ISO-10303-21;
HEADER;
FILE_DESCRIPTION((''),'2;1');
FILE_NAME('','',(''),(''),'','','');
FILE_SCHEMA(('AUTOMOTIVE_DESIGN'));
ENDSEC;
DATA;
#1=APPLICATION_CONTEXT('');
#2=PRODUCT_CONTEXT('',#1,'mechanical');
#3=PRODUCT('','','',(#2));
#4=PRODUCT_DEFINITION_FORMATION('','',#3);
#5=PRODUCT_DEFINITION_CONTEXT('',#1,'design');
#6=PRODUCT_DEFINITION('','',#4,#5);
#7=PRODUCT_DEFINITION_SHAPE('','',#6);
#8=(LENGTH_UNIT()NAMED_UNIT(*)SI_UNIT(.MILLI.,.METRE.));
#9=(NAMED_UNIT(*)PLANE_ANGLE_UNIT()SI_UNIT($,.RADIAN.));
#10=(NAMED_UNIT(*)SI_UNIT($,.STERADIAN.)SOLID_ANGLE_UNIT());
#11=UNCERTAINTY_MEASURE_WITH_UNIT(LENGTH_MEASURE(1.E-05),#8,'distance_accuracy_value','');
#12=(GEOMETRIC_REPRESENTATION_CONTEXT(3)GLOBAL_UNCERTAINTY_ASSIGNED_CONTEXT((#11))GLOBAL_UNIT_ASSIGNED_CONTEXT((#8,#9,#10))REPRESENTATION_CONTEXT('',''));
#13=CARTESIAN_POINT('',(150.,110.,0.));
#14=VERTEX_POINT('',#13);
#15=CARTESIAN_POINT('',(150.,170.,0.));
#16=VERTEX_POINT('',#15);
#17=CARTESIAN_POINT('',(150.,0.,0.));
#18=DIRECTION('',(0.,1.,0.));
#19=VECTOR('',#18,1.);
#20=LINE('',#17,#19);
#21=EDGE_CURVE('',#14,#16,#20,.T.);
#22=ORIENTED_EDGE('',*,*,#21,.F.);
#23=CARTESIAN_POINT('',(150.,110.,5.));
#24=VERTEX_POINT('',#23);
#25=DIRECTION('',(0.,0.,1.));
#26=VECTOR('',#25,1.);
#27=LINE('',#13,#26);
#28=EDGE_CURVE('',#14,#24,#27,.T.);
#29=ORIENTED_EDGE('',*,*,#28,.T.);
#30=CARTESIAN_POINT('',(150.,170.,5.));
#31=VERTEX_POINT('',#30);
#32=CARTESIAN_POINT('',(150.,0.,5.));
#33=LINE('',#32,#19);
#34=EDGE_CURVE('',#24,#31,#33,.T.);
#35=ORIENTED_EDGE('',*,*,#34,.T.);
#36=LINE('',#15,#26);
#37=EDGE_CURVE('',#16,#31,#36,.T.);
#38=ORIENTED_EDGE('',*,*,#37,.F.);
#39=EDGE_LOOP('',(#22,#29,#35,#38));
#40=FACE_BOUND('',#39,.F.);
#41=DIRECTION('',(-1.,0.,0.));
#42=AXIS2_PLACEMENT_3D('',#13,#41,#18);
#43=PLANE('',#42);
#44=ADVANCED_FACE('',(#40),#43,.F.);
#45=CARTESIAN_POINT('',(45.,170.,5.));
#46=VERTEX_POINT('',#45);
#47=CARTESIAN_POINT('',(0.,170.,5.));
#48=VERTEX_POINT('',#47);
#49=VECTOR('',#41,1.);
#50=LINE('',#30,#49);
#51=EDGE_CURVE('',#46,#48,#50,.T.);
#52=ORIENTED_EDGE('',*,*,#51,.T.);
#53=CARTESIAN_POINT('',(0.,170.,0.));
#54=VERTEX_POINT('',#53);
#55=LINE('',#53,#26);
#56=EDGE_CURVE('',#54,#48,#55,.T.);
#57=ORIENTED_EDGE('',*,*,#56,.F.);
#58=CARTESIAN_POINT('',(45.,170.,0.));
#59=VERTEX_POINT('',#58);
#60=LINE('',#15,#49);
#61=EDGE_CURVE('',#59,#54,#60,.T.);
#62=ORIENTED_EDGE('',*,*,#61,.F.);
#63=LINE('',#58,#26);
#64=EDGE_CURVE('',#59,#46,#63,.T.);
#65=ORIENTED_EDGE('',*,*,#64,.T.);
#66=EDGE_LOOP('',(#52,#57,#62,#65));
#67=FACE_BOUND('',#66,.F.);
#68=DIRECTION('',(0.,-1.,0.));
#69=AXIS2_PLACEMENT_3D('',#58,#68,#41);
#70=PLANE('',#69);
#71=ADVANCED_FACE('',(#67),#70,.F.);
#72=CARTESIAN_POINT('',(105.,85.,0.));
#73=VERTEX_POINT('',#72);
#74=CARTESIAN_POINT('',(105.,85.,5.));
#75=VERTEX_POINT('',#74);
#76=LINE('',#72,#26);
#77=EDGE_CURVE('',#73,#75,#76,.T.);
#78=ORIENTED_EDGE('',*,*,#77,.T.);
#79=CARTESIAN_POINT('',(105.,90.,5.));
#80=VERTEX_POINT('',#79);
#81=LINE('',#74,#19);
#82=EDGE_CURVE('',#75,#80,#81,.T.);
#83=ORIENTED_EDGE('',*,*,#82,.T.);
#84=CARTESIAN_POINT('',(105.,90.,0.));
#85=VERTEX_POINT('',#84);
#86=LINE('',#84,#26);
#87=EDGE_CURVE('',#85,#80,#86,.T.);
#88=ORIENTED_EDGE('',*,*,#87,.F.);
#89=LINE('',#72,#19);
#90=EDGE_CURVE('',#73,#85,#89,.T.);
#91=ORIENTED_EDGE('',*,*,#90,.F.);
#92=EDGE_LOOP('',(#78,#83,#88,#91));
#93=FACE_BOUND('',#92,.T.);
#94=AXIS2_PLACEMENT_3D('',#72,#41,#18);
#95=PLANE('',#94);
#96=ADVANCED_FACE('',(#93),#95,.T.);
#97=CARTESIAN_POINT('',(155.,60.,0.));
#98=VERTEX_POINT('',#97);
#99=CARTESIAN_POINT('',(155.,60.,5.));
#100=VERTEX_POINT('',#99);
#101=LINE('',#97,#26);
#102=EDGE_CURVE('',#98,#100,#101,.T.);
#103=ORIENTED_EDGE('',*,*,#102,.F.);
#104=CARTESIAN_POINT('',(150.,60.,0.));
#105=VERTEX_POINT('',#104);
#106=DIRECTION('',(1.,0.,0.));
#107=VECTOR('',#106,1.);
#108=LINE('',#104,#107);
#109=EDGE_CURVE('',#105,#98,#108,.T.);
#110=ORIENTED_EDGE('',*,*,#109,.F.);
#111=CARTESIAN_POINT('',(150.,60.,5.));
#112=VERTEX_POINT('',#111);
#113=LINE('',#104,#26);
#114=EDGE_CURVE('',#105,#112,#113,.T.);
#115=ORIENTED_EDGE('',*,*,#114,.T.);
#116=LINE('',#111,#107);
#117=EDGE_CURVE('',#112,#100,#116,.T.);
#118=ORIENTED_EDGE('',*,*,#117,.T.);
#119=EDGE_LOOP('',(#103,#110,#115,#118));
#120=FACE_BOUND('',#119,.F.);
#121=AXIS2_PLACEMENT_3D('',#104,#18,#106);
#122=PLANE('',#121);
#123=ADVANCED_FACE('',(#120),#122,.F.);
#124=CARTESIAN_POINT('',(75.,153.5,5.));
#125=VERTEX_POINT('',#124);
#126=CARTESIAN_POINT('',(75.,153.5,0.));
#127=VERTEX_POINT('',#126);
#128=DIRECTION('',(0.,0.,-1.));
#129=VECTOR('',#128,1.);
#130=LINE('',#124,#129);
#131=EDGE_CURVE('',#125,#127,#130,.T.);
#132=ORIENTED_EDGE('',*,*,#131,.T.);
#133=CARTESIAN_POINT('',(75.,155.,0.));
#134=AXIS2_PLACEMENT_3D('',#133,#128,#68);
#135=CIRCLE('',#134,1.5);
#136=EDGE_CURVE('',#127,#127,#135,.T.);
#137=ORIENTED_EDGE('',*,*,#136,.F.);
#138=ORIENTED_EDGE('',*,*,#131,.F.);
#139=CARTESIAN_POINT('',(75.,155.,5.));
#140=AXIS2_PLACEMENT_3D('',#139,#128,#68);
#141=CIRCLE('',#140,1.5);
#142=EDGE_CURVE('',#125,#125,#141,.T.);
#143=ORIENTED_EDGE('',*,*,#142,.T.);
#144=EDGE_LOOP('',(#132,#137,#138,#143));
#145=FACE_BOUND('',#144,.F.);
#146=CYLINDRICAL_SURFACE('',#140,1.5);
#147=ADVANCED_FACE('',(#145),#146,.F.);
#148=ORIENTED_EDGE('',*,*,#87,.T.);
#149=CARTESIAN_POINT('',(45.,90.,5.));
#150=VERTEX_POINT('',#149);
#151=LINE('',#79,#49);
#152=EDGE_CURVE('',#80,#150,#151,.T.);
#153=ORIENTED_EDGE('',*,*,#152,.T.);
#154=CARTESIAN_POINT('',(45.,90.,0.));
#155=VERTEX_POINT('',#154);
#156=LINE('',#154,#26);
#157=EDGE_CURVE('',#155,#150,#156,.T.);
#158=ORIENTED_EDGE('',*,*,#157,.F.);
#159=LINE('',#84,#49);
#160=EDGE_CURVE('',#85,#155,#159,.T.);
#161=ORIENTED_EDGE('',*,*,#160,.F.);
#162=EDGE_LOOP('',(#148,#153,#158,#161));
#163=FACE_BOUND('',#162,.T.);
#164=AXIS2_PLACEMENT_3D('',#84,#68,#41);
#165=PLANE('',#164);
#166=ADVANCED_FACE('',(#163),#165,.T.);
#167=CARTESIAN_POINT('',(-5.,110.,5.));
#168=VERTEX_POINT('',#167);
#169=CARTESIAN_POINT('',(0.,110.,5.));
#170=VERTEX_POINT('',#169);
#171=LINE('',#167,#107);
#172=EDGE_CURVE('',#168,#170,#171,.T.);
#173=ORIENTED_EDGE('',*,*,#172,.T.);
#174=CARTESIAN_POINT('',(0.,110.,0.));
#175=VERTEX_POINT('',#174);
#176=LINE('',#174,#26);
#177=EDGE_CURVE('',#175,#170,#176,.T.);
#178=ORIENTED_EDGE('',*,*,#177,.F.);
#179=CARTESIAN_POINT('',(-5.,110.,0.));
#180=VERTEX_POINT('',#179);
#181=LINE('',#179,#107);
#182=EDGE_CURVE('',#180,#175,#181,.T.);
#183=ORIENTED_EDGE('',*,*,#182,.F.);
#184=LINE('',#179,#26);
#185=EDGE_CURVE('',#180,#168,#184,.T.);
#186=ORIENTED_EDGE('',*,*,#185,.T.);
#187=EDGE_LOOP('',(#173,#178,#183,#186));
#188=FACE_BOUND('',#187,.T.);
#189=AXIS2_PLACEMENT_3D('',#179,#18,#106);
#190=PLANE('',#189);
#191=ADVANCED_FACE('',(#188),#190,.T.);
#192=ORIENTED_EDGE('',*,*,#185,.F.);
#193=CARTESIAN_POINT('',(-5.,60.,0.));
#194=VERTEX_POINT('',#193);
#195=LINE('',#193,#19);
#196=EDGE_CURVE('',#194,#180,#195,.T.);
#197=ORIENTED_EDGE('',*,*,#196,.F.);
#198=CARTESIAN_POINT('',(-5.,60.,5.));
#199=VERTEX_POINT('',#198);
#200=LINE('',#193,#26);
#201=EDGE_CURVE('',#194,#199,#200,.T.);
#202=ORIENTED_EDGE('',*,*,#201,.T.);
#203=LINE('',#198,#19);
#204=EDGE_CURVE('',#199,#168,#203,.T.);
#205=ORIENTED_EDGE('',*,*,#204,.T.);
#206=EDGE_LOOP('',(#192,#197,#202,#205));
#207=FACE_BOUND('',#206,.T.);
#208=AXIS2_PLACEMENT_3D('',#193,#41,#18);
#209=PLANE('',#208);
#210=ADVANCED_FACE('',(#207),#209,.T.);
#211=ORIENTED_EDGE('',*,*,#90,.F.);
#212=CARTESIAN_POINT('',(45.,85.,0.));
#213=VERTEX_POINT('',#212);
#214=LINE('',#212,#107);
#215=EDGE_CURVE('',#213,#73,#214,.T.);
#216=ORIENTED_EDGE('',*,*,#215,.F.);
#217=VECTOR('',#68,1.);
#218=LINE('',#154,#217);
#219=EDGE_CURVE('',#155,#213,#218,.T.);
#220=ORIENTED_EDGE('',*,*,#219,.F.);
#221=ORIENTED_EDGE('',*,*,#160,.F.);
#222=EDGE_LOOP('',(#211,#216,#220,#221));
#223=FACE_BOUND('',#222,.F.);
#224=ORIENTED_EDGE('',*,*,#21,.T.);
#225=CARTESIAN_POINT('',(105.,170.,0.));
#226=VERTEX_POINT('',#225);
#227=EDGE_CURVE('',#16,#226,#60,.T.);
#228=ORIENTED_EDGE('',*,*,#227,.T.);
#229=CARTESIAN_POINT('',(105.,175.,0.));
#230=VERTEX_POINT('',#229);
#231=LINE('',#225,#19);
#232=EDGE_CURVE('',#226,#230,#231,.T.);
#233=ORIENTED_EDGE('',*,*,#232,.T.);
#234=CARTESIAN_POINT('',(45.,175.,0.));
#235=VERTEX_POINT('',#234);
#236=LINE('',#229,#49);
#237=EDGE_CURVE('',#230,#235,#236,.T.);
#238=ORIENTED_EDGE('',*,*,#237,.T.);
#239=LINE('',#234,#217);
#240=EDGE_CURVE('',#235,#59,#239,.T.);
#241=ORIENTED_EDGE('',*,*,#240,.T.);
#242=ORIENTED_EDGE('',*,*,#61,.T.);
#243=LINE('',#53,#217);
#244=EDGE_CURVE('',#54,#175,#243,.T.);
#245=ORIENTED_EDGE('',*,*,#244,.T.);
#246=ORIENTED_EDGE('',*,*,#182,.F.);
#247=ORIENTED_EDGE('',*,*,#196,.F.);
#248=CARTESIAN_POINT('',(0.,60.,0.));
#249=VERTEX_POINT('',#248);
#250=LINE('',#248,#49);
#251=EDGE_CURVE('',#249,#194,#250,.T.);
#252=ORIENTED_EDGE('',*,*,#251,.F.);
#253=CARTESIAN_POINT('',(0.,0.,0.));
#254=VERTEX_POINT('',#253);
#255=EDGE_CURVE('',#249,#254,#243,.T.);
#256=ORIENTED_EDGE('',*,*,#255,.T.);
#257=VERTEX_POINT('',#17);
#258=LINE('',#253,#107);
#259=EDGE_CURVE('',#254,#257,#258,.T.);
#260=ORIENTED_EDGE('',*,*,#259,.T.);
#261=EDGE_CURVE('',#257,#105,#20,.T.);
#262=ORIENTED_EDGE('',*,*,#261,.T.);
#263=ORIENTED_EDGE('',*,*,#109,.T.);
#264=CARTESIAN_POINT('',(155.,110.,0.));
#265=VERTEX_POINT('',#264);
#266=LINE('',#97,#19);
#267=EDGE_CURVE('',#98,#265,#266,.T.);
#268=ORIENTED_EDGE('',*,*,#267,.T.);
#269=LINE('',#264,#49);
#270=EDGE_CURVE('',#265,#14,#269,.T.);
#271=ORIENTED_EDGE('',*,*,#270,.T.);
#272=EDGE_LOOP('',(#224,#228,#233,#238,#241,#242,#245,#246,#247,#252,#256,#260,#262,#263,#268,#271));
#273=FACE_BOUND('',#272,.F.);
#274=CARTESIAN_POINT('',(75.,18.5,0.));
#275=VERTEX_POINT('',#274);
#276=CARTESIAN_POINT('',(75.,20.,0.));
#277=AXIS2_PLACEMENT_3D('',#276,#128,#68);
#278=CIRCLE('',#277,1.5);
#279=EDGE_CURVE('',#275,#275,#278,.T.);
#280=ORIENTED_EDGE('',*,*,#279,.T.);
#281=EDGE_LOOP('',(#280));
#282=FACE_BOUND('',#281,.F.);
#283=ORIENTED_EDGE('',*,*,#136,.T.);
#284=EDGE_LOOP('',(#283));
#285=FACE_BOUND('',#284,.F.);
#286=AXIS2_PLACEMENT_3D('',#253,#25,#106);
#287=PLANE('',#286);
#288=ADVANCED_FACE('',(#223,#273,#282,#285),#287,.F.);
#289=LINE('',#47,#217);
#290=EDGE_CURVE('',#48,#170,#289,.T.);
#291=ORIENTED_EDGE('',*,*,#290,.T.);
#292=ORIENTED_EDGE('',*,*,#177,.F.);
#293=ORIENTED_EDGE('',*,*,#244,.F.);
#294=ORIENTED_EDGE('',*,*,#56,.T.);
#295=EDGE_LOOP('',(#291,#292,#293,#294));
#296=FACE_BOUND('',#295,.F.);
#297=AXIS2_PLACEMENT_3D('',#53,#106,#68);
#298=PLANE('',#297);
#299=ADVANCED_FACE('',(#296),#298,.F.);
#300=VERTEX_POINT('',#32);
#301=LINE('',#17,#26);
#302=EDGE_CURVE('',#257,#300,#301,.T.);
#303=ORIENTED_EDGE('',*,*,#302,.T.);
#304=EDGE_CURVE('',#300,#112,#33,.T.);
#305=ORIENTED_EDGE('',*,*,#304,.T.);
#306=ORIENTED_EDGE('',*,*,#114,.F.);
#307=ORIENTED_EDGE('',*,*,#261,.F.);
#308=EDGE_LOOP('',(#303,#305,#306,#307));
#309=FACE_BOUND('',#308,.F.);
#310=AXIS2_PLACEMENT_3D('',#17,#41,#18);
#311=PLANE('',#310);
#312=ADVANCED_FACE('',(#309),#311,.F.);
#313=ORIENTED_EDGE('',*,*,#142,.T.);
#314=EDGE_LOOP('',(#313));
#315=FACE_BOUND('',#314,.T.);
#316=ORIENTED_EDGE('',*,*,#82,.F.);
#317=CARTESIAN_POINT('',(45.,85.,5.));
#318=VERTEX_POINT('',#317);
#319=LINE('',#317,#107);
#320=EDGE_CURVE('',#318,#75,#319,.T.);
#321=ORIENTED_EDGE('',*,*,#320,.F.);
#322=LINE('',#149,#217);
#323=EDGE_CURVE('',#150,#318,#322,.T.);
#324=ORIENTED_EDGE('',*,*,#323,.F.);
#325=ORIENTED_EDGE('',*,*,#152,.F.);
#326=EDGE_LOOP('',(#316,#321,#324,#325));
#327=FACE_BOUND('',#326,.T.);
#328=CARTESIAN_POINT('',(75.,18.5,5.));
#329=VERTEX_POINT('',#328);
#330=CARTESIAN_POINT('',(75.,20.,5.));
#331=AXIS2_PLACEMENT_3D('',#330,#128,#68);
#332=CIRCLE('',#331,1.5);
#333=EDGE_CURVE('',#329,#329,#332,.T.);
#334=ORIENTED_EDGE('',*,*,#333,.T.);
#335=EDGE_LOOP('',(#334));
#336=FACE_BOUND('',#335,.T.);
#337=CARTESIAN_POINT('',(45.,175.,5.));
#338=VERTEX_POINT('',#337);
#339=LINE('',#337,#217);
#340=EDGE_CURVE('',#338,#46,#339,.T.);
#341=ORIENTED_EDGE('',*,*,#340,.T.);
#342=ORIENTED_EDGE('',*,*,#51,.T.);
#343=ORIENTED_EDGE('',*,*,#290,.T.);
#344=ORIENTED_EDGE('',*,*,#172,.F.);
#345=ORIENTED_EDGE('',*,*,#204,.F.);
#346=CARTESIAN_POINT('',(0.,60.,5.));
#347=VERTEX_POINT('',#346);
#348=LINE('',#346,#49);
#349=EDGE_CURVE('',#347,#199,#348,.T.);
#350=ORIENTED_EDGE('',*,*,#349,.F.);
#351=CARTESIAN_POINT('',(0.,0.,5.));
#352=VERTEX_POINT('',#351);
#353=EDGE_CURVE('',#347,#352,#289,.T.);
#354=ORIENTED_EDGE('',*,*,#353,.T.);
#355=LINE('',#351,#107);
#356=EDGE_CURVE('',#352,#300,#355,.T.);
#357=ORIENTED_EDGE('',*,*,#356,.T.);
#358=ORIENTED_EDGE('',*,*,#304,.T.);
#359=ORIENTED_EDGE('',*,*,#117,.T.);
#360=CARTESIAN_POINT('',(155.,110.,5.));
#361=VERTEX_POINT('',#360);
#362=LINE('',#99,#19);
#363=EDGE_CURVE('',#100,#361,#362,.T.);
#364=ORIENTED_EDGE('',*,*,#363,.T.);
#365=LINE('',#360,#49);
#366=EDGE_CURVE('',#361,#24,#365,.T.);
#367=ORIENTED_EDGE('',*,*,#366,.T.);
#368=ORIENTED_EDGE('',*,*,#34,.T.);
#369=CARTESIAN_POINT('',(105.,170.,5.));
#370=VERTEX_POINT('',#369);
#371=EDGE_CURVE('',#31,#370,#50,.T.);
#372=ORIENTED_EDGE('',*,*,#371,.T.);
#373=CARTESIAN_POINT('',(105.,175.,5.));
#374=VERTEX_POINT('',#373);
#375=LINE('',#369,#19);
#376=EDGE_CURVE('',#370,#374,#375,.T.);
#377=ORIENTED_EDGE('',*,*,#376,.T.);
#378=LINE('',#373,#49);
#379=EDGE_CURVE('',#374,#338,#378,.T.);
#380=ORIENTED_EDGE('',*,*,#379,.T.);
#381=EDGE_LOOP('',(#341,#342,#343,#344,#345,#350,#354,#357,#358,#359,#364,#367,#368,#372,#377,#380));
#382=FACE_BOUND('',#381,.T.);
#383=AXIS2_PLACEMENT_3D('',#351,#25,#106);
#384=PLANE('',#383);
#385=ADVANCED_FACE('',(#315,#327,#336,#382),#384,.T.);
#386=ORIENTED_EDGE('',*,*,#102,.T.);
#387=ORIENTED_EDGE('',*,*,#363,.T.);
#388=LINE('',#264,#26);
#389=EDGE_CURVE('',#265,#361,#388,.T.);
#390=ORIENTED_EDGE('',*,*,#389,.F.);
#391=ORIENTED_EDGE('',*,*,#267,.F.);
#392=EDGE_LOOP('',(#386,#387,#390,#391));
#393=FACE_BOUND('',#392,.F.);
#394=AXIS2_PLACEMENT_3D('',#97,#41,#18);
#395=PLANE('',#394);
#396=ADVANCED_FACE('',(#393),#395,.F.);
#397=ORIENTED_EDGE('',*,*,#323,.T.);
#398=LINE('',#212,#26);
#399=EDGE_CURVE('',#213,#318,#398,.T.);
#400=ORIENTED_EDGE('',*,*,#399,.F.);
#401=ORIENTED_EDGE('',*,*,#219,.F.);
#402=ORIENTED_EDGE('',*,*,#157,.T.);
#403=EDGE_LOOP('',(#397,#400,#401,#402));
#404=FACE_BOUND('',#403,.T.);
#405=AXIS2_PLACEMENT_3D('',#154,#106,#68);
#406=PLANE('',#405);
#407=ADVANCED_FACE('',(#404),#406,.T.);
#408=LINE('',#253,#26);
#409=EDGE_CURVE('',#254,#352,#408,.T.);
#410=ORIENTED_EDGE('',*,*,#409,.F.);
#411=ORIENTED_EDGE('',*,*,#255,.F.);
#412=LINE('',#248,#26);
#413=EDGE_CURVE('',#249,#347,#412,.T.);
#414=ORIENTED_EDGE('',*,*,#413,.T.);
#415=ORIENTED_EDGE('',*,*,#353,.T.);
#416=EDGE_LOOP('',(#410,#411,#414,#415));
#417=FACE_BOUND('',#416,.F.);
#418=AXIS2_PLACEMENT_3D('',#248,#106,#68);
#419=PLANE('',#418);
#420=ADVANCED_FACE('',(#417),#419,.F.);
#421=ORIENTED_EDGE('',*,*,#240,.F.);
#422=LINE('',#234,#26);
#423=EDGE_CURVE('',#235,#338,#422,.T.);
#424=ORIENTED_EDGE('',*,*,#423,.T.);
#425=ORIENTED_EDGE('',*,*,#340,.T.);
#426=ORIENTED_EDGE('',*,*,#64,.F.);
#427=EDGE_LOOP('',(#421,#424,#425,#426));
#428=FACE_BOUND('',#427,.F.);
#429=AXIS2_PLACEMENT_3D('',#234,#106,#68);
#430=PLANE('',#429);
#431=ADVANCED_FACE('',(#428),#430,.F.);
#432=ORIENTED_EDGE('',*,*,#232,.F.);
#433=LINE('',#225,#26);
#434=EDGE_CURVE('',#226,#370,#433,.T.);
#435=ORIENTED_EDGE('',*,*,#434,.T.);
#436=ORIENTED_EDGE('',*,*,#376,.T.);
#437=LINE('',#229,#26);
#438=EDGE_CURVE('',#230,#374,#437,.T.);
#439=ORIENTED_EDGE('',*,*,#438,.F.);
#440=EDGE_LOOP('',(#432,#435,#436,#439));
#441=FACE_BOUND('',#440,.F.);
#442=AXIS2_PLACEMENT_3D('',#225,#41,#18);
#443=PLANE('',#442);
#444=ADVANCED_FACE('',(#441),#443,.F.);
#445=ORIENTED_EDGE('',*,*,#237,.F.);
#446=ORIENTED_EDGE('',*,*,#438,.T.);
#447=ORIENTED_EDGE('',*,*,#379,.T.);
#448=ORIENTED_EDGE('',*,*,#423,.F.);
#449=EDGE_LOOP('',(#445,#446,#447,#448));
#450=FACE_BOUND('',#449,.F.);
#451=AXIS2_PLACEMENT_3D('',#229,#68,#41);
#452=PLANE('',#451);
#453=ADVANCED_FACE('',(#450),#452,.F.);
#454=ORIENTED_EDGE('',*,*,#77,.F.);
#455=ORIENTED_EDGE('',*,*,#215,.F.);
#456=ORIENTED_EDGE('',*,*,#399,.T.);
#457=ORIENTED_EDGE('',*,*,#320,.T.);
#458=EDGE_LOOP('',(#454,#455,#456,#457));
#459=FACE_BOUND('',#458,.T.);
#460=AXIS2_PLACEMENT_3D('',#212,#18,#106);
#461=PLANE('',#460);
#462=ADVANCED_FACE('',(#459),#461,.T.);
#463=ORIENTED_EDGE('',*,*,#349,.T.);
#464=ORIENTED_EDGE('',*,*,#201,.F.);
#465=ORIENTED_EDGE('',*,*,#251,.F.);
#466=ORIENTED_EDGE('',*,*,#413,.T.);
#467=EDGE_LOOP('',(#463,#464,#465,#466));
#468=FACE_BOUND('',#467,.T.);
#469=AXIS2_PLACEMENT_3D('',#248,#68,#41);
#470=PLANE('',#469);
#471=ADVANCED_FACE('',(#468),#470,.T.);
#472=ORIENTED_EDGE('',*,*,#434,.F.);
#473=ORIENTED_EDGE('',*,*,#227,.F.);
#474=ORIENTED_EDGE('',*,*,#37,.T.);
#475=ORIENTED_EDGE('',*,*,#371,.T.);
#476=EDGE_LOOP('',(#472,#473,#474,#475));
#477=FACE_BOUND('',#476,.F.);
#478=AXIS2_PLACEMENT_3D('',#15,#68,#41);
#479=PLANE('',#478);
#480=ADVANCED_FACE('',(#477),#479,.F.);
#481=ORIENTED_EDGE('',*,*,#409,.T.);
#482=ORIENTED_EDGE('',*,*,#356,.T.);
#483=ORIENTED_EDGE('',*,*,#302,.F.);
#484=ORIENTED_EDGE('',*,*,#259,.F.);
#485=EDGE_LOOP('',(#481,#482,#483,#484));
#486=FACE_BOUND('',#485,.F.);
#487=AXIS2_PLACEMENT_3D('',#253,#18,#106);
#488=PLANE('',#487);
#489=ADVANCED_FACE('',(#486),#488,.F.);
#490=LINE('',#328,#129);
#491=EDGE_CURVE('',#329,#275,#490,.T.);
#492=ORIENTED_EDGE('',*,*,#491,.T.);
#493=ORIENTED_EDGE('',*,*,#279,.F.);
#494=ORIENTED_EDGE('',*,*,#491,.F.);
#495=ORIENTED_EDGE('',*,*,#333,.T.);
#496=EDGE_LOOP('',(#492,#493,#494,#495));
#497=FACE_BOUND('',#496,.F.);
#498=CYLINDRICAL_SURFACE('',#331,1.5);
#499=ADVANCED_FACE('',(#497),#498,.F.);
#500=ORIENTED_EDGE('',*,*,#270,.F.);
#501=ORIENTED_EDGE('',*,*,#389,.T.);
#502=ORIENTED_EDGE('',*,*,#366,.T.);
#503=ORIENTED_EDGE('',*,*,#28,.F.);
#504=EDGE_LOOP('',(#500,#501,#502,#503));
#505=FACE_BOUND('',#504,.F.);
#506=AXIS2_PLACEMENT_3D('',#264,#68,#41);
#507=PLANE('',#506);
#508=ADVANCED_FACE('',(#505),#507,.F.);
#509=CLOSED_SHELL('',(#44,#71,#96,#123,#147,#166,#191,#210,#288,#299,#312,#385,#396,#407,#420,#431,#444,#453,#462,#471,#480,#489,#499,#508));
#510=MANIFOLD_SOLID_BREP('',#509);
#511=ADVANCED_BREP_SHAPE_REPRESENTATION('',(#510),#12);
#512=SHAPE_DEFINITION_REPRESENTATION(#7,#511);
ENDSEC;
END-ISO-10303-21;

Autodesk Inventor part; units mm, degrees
ref_plane "YZ Plane" through (0, 0, 0) normal (1, 0, 0) x (0, 1, 0)
ref_plane "XZ Plane" through (0, 0, 0) normal (0, 1, 0) x (-1, 0, 0)
ref_plane "XY Plane" through (0, 0, 0) normal (0, 0, 1) x (1, 0, 0)
sketch "Sketch1" plane through (0, 0, 0) normal (0, 0, 1) x (1, 0, 0)
  line L0 (0, 0) -> (150, 0)
  line L1 (150, 0) -> (150, 170)
  line L2 (150, 170) -> (0, 170)
  line L3 (0, 170) -> (0, 0)
  line L4 (0, 60) -> (-5, 60)
  line L5 (-5, 60) -> (-5, 110)
  line L6 (-5, 110) -> (0, 110)
  line L7 (0, 110) -> (0, 60)
  line L8 (75, 0) -> (75, 170) construction
  line L9 (150, 60) -> (155, 60)
  line L10 (155, 60) -> (155, 110)
  line L11 (155, 110) -> (150, 110)
  line L12 (150, 110) -> (150, 60)
  line L13 (45, 85) -> (105, 85)
  line L14 (105, 85) -> (105, 90)
  line L15 (105, 90) -> (45, 90)
  line L16 (45, 90) -> (45, 85)
  line L17 (0, 85) -> (150, 85) construction
  line L18 (45, 170) -> (105, 170)
  line L19 (105, 170) -> (105, 175)
  line L20 (105, 175) -> (45, 175)
  line L21 (45, 175) -> (45, 170)
  point P0 (0, 110)
  point P1 (10, 0)
  point P2 (45, 87.5)
  dimension "d0" = 150
  dimension "d1" = 170
  dimension "d2" = 5
  dimension "d3" = 50
  dimension "d6" = 60
  dimension "d7" = 5
  dimension "d13" = 80
  dimension "d14" = 30
  dimension "d30" = 60
  dimension "d31" = 5
  dimension "d32" = 45
  dimension "d44" = 60
extrude "Extrusion1" add sketch "Sketch1" along normal blind 5
sketch "Sketch2" plane through (0, 0, 5) normal (0, 0, 1) x (1, 0, 0)
  line L0 (150, 170) -> (0, 170) projected
  line L1 (0, 0) -> (150, 0) projected
  line L2 (0, 170) -> (0, 110) projected
  line L3 (0, 60) -> (0, 0) projected
  point P0 (75, 20)
  dimension "d24" = 20
  dimension "d29" = 75
hole "Hole1" at (75, 20, 5) direction (0, 0, -1) diameter 3 end through all
sketch "Sketch3" plane through (0, 0, 5) normal (0, 0, 1) x (1, 0, 0)
  line L0 (105, 175) -> (45, 175) projected
  line L1 (45, 175) -> (45, 170) projected
  line L2 (0, 170) -> (0, 110) projected
  point P0 (0, 0)
  point P1 (75, 155)
  dimension "d40" = 20
  dimension "d45" = 75
hole "Hole2" at (75, 155, 5) direction (0, 0, -1) diameter 3 end through all
properties part number "back"
